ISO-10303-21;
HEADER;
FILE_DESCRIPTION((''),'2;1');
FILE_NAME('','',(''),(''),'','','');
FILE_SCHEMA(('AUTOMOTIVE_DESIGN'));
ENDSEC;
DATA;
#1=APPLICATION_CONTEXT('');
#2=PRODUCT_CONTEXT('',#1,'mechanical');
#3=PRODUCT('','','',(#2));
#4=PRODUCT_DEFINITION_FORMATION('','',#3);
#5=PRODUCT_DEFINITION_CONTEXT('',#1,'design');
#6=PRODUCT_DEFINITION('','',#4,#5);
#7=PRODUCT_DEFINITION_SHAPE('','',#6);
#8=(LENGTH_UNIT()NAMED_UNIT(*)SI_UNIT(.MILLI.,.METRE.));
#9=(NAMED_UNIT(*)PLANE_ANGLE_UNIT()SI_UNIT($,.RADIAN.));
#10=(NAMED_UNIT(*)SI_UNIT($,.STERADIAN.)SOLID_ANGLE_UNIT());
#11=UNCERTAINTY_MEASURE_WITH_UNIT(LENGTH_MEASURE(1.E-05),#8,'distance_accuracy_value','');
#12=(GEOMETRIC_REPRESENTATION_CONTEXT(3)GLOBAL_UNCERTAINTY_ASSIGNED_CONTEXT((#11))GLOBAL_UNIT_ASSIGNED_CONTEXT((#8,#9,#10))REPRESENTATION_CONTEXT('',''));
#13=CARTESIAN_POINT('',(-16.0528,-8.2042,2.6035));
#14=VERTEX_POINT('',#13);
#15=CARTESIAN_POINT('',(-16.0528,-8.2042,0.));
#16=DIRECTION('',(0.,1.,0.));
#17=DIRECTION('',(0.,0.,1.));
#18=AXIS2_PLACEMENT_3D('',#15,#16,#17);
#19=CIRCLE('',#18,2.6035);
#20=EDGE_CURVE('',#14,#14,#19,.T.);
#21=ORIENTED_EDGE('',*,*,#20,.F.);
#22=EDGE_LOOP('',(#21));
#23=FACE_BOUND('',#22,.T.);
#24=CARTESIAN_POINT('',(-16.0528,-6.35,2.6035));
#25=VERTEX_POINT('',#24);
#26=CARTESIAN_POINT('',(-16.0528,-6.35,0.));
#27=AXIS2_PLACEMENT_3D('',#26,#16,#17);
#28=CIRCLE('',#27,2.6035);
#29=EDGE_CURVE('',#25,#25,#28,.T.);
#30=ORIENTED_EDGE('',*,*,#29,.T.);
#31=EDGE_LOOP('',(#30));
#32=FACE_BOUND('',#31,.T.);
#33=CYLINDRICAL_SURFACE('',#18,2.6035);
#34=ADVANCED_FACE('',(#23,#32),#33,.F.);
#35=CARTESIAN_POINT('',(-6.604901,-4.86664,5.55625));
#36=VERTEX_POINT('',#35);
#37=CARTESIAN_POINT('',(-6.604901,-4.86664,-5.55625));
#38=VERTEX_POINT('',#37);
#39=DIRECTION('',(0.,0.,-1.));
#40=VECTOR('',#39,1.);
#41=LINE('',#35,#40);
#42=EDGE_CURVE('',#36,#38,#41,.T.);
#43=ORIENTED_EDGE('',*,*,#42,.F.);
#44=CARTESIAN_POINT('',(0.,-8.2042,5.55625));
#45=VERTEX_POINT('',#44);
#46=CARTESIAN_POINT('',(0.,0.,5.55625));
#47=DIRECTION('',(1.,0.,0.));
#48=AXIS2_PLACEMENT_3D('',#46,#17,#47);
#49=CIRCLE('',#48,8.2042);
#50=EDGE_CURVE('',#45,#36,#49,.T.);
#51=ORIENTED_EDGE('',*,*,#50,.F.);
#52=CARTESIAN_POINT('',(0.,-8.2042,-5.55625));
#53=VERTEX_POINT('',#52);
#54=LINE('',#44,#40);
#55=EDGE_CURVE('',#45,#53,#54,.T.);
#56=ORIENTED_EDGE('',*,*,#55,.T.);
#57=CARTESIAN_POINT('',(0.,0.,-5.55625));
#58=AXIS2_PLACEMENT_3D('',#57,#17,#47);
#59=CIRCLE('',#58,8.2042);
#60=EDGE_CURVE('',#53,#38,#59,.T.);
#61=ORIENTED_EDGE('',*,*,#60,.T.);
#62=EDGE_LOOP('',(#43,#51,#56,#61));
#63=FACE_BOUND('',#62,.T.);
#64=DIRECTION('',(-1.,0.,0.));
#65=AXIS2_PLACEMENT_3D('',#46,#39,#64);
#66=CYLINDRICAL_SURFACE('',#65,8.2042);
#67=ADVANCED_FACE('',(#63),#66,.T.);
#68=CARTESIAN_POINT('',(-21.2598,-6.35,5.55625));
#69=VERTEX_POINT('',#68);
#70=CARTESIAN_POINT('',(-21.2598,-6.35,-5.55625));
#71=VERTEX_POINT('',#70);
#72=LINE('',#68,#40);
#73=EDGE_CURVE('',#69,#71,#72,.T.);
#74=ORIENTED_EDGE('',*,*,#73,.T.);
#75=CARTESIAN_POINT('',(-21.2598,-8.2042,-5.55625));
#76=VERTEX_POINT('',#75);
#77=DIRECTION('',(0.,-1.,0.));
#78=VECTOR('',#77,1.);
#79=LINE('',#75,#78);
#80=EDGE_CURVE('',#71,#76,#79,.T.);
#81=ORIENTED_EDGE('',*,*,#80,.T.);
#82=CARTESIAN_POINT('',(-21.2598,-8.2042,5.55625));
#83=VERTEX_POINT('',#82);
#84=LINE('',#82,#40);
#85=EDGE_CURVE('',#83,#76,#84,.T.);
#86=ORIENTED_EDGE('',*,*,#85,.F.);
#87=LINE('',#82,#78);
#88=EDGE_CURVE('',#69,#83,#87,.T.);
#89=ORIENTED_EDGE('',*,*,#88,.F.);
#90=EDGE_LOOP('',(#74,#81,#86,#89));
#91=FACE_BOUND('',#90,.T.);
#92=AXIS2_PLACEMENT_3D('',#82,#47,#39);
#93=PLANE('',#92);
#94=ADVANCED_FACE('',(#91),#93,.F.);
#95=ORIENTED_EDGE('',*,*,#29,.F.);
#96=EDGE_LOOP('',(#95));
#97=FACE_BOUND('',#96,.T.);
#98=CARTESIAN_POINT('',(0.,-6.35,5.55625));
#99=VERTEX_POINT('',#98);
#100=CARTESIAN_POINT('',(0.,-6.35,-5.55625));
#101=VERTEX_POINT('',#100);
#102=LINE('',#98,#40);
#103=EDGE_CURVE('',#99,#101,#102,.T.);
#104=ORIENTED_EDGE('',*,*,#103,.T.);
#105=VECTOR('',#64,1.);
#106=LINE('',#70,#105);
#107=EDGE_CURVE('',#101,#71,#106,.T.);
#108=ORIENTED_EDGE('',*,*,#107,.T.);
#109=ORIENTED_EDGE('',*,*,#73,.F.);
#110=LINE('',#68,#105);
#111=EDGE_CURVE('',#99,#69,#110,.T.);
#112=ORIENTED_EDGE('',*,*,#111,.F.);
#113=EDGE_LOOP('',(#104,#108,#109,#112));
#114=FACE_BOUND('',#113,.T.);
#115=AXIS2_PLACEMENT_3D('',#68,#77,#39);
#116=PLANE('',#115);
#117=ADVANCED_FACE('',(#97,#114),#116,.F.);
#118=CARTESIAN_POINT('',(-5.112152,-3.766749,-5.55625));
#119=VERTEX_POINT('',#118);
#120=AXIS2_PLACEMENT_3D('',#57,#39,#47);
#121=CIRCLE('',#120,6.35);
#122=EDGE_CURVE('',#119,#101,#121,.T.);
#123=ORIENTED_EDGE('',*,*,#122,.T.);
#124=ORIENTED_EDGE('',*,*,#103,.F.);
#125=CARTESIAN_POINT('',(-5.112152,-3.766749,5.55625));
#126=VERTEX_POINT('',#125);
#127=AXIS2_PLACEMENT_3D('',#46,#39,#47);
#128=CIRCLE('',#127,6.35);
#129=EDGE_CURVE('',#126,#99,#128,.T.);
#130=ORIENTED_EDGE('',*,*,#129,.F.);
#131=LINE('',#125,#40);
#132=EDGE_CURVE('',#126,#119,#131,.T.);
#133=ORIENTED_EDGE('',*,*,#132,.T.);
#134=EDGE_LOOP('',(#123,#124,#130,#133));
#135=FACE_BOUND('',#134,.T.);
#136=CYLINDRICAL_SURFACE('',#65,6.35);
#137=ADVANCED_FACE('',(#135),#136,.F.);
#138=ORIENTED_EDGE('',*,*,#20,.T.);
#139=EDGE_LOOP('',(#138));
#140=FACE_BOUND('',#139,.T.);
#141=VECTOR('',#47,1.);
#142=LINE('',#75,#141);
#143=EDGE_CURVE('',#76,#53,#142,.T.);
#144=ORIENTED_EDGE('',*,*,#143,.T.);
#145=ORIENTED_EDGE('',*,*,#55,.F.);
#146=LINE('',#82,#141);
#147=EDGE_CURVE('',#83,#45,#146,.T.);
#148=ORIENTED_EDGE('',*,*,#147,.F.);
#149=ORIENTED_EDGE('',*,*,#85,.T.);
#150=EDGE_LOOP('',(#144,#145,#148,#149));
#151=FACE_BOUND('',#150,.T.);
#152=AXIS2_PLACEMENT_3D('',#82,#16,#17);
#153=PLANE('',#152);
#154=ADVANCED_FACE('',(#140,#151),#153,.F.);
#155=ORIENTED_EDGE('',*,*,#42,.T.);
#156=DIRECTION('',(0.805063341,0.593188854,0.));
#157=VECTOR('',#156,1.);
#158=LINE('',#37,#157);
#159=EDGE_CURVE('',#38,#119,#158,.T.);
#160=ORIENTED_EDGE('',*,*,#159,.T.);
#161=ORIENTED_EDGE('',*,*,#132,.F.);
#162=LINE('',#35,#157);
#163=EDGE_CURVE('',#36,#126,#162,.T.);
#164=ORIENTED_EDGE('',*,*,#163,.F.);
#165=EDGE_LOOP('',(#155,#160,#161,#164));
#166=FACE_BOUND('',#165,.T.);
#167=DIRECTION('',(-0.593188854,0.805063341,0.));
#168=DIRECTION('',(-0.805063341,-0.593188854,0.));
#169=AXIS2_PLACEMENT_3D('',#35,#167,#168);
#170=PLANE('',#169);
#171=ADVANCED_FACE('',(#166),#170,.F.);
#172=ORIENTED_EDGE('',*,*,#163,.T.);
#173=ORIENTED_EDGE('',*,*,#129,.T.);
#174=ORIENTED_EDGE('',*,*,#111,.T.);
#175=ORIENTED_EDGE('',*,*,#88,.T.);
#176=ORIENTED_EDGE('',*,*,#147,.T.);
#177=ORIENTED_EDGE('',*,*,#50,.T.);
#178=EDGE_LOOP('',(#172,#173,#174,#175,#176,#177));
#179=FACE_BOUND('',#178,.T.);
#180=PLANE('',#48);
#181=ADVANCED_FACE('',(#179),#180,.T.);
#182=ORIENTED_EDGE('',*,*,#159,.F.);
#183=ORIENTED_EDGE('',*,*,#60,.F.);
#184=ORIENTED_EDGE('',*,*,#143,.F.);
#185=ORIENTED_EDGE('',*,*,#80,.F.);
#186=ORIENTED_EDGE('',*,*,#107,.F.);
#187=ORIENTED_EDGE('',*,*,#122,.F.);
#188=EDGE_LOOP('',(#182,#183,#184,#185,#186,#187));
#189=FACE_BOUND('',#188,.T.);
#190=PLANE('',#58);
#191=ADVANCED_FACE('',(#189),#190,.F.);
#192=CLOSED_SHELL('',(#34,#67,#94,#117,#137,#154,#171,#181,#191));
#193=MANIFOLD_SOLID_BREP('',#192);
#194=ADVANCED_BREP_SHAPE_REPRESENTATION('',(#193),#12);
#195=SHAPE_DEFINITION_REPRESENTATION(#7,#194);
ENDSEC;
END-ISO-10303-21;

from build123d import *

# Parameters (mm, degrees)
BOSS_EXTRUDE1_DEPTH = 5.55625
SKETCH2_R           = 2.6035
CUT_EXTRUDE1_DEPTH  = 27.356702141


with BuildPart() as part:
    # Sketch1 → Boss-Extrude1 (new, symmetric)
    with BuildSketch(Plane.XY):
        with BuildLine():
            Line((-21.2598, -8.2042), (0, -8.2042))
            ThreePointArc((0, -8.2042), (3.700135792, 7.322423968), (-6.604900662, -4.86664))
            Line((-6.604900662, -4.86664), (-5.112152215, -3.766749226))
            ThreePointArc((-5.112152215, -3.766749226), (2.863882192, 5.667510811), (0, -6.35))
            Line((0, -6.35), (-21.2598, -6.35))
            Line((-21.2598, -6.35), (-21.2598, -8.2042))
        make_face()
    extrude(amount=BOSS_EXTRUDE1_DEPTH, both=True)

    # Sketch2 → Cut-Extrude1 (cut, through all)
    with BuildSketch(Plane(origin=(0, -6.35, 0), x_dir=(1, 0, 0), z_dir=(0, 1, 0))):
        with Locations(Location((-16.0528, 0, 0), (0, 0, 270))):
            Circle(SKETCH2_R)
    extrude(amount=-CUT_EXTRUDE1_DEPTH, mode=Mode.SUBTRACT)


solid = part.part
